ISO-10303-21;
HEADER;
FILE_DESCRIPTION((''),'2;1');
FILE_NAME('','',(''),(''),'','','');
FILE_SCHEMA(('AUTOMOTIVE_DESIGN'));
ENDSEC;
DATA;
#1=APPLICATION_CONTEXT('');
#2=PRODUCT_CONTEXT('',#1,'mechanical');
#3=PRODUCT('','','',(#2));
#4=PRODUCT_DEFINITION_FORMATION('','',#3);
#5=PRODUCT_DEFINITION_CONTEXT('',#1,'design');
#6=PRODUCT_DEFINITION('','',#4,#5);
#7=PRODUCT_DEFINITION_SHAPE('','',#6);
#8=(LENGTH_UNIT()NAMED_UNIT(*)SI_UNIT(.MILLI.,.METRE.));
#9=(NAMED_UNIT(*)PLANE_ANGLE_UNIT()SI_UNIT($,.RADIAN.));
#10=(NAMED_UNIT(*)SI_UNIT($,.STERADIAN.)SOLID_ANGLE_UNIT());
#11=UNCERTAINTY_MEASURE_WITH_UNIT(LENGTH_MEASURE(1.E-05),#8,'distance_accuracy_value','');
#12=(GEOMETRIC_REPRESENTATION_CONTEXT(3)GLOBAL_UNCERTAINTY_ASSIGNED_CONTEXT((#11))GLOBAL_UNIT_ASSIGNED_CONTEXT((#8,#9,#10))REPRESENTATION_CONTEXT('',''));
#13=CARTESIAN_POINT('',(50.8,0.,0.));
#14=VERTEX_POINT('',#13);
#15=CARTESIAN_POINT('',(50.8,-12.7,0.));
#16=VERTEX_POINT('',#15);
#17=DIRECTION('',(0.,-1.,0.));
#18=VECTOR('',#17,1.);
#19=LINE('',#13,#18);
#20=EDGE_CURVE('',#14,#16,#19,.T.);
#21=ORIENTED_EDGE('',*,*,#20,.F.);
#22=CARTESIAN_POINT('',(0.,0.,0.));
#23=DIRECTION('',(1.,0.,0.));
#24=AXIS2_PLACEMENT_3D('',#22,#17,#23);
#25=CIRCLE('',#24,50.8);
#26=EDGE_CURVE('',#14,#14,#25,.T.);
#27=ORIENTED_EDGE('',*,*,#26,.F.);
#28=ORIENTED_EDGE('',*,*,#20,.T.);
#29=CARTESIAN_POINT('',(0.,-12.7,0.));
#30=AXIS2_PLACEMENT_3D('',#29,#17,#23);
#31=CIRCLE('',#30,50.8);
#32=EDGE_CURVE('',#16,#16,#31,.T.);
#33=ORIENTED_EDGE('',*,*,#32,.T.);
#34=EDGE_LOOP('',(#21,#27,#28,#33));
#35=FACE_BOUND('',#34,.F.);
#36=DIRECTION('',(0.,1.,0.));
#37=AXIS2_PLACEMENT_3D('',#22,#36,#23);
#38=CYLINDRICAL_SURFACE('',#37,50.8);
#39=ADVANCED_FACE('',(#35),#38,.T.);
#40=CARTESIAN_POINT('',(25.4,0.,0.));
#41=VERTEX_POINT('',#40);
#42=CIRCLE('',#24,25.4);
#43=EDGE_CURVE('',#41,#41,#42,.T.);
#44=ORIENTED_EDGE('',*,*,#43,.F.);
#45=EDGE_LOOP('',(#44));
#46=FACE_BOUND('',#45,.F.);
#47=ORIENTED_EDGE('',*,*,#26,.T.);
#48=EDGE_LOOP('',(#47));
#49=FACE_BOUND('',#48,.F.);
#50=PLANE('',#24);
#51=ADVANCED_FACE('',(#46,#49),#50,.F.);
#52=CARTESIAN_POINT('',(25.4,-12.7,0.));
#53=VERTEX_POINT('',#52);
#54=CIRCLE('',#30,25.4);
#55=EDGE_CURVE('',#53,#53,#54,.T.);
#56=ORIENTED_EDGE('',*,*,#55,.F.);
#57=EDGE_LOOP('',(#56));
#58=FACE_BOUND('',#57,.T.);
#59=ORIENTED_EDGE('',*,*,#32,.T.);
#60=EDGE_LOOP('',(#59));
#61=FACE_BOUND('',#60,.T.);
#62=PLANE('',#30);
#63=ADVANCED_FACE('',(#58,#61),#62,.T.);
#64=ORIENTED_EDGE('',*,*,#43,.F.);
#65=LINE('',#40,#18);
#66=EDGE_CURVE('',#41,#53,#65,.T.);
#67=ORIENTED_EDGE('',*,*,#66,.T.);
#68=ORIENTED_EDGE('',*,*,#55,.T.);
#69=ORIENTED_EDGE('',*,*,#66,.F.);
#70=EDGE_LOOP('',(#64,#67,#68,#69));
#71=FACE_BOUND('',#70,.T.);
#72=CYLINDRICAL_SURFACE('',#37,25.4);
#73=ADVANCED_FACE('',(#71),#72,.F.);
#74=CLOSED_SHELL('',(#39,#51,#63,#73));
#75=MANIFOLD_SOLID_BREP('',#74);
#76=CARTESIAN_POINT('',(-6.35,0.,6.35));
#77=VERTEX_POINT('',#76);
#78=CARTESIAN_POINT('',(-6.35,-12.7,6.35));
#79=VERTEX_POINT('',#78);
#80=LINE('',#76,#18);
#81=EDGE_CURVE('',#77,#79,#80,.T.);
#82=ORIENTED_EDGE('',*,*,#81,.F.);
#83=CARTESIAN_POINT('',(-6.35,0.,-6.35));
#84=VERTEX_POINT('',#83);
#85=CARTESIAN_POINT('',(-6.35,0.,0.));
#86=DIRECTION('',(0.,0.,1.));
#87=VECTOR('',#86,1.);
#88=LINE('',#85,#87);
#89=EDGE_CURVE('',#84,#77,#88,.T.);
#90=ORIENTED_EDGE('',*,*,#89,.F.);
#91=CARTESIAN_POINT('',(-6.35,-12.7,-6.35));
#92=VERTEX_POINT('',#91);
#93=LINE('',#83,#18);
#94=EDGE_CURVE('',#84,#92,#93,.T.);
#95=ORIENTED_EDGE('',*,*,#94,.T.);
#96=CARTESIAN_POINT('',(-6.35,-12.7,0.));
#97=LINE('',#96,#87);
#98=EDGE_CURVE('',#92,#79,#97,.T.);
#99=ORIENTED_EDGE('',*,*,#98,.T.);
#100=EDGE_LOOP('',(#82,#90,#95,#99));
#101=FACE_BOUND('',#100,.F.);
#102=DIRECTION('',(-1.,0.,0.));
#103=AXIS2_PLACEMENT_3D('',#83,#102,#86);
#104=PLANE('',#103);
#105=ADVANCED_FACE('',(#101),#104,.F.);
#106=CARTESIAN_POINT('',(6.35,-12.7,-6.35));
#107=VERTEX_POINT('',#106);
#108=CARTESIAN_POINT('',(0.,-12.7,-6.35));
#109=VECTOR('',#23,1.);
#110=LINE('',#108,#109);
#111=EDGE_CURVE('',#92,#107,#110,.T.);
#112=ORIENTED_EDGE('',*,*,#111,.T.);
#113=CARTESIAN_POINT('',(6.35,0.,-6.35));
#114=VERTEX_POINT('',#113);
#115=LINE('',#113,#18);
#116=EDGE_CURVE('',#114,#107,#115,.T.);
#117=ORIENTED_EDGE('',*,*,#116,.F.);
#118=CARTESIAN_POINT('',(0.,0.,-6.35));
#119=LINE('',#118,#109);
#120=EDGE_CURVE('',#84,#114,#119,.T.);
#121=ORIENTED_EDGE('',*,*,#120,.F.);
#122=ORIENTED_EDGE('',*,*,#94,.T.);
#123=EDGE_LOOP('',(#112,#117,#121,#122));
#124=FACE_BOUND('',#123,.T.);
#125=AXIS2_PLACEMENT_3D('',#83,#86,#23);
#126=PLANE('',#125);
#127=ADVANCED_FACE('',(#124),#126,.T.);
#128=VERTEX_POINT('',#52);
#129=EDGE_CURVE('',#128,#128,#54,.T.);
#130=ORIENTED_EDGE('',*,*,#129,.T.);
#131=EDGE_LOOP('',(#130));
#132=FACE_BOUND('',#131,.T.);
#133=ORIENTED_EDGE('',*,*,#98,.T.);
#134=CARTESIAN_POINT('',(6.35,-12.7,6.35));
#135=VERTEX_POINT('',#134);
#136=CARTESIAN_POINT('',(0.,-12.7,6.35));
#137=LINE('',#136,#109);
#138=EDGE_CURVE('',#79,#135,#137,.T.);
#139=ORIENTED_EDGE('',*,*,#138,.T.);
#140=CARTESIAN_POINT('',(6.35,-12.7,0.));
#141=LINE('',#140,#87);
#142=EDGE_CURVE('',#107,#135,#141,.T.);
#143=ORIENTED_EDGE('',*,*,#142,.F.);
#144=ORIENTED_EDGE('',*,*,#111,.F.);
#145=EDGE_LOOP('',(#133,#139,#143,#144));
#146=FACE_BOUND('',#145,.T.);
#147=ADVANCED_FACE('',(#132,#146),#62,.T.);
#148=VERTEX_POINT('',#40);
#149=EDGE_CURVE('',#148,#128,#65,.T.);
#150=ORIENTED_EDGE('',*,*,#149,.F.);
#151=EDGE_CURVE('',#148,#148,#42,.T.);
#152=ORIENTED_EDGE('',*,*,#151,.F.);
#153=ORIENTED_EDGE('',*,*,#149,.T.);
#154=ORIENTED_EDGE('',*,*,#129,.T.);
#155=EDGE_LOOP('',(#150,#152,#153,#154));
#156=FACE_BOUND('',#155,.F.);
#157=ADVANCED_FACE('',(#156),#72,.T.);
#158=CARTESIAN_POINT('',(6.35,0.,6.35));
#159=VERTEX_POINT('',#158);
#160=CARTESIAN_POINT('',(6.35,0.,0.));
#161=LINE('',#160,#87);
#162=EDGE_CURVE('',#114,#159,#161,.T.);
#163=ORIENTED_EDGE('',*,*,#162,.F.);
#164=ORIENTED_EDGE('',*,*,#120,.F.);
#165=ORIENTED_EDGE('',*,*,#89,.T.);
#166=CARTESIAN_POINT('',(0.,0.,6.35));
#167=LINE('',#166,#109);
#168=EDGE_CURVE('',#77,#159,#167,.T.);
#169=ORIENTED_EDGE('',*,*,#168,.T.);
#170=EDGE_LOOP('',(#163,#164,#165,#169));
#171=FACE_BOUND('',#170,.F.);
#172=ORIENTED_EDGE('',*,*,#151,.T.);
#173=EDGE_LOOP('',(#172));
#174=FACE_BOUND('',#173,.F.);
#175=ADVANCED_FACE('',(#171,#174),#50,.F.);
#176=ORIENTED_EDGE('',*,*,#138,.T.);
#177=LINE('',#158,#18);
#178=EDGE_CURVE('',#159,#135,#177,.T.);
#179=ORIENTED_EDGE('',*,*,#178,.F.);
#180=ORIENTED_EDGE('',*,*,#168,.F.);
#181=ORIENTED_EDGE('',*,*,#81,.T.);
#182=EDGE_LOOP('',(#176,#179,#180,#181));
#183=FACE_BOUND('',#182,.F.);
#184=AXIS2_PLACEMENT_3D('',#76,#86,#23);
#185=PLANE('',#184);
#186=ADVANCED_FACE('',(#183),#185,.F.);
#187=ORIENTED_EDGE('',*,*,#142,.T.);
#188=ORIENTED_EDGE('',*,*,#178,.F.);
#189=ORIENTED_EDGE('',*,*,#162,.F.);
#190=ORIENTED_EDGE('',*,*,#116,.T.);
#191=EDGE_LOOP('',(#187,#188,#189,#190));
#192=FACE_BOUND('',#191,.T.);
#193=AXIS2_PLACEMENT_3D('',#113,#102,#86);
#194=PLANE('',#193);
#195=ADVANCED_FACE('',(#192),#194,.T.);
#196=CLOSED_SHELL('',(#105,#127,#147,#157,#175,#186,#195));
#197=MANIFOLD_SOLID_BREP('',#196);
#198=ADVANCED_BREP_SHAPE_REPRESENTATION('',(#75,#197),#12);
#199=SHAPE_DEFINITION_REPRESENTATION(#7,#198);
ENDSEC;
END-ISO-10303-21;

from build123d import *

# Parameters (mm, degrees)
F0_R     = 50.8
F0_R_2   = 25.4
F1_DEPTH = 12.7
F0_W     = 12.7
F0_H     = 12.7
F2_DEPTH = 12.7


with BuildPart() as f1:
    # F0 (on Front) → F1 (new body)
    with BuildSketch(Plane.XZ):
        Circle(F0_R)
        Circle(F0_R_2, mode=Mode.SUBTRACT)
    extrude(amount=F1_DEPTH)


with BuildPart() as f2:
    # F0 (on Front) → F2 (new body)
    with BuildSketch(Plane.XZ):
        Circle(F0_R_2)
        Rectangle(F0_W, F0_H, mode=Mode.SUBTRACT)
    extrude(amount=F2_DEPTH)


solid = Compound([f1.part, f2.part])
